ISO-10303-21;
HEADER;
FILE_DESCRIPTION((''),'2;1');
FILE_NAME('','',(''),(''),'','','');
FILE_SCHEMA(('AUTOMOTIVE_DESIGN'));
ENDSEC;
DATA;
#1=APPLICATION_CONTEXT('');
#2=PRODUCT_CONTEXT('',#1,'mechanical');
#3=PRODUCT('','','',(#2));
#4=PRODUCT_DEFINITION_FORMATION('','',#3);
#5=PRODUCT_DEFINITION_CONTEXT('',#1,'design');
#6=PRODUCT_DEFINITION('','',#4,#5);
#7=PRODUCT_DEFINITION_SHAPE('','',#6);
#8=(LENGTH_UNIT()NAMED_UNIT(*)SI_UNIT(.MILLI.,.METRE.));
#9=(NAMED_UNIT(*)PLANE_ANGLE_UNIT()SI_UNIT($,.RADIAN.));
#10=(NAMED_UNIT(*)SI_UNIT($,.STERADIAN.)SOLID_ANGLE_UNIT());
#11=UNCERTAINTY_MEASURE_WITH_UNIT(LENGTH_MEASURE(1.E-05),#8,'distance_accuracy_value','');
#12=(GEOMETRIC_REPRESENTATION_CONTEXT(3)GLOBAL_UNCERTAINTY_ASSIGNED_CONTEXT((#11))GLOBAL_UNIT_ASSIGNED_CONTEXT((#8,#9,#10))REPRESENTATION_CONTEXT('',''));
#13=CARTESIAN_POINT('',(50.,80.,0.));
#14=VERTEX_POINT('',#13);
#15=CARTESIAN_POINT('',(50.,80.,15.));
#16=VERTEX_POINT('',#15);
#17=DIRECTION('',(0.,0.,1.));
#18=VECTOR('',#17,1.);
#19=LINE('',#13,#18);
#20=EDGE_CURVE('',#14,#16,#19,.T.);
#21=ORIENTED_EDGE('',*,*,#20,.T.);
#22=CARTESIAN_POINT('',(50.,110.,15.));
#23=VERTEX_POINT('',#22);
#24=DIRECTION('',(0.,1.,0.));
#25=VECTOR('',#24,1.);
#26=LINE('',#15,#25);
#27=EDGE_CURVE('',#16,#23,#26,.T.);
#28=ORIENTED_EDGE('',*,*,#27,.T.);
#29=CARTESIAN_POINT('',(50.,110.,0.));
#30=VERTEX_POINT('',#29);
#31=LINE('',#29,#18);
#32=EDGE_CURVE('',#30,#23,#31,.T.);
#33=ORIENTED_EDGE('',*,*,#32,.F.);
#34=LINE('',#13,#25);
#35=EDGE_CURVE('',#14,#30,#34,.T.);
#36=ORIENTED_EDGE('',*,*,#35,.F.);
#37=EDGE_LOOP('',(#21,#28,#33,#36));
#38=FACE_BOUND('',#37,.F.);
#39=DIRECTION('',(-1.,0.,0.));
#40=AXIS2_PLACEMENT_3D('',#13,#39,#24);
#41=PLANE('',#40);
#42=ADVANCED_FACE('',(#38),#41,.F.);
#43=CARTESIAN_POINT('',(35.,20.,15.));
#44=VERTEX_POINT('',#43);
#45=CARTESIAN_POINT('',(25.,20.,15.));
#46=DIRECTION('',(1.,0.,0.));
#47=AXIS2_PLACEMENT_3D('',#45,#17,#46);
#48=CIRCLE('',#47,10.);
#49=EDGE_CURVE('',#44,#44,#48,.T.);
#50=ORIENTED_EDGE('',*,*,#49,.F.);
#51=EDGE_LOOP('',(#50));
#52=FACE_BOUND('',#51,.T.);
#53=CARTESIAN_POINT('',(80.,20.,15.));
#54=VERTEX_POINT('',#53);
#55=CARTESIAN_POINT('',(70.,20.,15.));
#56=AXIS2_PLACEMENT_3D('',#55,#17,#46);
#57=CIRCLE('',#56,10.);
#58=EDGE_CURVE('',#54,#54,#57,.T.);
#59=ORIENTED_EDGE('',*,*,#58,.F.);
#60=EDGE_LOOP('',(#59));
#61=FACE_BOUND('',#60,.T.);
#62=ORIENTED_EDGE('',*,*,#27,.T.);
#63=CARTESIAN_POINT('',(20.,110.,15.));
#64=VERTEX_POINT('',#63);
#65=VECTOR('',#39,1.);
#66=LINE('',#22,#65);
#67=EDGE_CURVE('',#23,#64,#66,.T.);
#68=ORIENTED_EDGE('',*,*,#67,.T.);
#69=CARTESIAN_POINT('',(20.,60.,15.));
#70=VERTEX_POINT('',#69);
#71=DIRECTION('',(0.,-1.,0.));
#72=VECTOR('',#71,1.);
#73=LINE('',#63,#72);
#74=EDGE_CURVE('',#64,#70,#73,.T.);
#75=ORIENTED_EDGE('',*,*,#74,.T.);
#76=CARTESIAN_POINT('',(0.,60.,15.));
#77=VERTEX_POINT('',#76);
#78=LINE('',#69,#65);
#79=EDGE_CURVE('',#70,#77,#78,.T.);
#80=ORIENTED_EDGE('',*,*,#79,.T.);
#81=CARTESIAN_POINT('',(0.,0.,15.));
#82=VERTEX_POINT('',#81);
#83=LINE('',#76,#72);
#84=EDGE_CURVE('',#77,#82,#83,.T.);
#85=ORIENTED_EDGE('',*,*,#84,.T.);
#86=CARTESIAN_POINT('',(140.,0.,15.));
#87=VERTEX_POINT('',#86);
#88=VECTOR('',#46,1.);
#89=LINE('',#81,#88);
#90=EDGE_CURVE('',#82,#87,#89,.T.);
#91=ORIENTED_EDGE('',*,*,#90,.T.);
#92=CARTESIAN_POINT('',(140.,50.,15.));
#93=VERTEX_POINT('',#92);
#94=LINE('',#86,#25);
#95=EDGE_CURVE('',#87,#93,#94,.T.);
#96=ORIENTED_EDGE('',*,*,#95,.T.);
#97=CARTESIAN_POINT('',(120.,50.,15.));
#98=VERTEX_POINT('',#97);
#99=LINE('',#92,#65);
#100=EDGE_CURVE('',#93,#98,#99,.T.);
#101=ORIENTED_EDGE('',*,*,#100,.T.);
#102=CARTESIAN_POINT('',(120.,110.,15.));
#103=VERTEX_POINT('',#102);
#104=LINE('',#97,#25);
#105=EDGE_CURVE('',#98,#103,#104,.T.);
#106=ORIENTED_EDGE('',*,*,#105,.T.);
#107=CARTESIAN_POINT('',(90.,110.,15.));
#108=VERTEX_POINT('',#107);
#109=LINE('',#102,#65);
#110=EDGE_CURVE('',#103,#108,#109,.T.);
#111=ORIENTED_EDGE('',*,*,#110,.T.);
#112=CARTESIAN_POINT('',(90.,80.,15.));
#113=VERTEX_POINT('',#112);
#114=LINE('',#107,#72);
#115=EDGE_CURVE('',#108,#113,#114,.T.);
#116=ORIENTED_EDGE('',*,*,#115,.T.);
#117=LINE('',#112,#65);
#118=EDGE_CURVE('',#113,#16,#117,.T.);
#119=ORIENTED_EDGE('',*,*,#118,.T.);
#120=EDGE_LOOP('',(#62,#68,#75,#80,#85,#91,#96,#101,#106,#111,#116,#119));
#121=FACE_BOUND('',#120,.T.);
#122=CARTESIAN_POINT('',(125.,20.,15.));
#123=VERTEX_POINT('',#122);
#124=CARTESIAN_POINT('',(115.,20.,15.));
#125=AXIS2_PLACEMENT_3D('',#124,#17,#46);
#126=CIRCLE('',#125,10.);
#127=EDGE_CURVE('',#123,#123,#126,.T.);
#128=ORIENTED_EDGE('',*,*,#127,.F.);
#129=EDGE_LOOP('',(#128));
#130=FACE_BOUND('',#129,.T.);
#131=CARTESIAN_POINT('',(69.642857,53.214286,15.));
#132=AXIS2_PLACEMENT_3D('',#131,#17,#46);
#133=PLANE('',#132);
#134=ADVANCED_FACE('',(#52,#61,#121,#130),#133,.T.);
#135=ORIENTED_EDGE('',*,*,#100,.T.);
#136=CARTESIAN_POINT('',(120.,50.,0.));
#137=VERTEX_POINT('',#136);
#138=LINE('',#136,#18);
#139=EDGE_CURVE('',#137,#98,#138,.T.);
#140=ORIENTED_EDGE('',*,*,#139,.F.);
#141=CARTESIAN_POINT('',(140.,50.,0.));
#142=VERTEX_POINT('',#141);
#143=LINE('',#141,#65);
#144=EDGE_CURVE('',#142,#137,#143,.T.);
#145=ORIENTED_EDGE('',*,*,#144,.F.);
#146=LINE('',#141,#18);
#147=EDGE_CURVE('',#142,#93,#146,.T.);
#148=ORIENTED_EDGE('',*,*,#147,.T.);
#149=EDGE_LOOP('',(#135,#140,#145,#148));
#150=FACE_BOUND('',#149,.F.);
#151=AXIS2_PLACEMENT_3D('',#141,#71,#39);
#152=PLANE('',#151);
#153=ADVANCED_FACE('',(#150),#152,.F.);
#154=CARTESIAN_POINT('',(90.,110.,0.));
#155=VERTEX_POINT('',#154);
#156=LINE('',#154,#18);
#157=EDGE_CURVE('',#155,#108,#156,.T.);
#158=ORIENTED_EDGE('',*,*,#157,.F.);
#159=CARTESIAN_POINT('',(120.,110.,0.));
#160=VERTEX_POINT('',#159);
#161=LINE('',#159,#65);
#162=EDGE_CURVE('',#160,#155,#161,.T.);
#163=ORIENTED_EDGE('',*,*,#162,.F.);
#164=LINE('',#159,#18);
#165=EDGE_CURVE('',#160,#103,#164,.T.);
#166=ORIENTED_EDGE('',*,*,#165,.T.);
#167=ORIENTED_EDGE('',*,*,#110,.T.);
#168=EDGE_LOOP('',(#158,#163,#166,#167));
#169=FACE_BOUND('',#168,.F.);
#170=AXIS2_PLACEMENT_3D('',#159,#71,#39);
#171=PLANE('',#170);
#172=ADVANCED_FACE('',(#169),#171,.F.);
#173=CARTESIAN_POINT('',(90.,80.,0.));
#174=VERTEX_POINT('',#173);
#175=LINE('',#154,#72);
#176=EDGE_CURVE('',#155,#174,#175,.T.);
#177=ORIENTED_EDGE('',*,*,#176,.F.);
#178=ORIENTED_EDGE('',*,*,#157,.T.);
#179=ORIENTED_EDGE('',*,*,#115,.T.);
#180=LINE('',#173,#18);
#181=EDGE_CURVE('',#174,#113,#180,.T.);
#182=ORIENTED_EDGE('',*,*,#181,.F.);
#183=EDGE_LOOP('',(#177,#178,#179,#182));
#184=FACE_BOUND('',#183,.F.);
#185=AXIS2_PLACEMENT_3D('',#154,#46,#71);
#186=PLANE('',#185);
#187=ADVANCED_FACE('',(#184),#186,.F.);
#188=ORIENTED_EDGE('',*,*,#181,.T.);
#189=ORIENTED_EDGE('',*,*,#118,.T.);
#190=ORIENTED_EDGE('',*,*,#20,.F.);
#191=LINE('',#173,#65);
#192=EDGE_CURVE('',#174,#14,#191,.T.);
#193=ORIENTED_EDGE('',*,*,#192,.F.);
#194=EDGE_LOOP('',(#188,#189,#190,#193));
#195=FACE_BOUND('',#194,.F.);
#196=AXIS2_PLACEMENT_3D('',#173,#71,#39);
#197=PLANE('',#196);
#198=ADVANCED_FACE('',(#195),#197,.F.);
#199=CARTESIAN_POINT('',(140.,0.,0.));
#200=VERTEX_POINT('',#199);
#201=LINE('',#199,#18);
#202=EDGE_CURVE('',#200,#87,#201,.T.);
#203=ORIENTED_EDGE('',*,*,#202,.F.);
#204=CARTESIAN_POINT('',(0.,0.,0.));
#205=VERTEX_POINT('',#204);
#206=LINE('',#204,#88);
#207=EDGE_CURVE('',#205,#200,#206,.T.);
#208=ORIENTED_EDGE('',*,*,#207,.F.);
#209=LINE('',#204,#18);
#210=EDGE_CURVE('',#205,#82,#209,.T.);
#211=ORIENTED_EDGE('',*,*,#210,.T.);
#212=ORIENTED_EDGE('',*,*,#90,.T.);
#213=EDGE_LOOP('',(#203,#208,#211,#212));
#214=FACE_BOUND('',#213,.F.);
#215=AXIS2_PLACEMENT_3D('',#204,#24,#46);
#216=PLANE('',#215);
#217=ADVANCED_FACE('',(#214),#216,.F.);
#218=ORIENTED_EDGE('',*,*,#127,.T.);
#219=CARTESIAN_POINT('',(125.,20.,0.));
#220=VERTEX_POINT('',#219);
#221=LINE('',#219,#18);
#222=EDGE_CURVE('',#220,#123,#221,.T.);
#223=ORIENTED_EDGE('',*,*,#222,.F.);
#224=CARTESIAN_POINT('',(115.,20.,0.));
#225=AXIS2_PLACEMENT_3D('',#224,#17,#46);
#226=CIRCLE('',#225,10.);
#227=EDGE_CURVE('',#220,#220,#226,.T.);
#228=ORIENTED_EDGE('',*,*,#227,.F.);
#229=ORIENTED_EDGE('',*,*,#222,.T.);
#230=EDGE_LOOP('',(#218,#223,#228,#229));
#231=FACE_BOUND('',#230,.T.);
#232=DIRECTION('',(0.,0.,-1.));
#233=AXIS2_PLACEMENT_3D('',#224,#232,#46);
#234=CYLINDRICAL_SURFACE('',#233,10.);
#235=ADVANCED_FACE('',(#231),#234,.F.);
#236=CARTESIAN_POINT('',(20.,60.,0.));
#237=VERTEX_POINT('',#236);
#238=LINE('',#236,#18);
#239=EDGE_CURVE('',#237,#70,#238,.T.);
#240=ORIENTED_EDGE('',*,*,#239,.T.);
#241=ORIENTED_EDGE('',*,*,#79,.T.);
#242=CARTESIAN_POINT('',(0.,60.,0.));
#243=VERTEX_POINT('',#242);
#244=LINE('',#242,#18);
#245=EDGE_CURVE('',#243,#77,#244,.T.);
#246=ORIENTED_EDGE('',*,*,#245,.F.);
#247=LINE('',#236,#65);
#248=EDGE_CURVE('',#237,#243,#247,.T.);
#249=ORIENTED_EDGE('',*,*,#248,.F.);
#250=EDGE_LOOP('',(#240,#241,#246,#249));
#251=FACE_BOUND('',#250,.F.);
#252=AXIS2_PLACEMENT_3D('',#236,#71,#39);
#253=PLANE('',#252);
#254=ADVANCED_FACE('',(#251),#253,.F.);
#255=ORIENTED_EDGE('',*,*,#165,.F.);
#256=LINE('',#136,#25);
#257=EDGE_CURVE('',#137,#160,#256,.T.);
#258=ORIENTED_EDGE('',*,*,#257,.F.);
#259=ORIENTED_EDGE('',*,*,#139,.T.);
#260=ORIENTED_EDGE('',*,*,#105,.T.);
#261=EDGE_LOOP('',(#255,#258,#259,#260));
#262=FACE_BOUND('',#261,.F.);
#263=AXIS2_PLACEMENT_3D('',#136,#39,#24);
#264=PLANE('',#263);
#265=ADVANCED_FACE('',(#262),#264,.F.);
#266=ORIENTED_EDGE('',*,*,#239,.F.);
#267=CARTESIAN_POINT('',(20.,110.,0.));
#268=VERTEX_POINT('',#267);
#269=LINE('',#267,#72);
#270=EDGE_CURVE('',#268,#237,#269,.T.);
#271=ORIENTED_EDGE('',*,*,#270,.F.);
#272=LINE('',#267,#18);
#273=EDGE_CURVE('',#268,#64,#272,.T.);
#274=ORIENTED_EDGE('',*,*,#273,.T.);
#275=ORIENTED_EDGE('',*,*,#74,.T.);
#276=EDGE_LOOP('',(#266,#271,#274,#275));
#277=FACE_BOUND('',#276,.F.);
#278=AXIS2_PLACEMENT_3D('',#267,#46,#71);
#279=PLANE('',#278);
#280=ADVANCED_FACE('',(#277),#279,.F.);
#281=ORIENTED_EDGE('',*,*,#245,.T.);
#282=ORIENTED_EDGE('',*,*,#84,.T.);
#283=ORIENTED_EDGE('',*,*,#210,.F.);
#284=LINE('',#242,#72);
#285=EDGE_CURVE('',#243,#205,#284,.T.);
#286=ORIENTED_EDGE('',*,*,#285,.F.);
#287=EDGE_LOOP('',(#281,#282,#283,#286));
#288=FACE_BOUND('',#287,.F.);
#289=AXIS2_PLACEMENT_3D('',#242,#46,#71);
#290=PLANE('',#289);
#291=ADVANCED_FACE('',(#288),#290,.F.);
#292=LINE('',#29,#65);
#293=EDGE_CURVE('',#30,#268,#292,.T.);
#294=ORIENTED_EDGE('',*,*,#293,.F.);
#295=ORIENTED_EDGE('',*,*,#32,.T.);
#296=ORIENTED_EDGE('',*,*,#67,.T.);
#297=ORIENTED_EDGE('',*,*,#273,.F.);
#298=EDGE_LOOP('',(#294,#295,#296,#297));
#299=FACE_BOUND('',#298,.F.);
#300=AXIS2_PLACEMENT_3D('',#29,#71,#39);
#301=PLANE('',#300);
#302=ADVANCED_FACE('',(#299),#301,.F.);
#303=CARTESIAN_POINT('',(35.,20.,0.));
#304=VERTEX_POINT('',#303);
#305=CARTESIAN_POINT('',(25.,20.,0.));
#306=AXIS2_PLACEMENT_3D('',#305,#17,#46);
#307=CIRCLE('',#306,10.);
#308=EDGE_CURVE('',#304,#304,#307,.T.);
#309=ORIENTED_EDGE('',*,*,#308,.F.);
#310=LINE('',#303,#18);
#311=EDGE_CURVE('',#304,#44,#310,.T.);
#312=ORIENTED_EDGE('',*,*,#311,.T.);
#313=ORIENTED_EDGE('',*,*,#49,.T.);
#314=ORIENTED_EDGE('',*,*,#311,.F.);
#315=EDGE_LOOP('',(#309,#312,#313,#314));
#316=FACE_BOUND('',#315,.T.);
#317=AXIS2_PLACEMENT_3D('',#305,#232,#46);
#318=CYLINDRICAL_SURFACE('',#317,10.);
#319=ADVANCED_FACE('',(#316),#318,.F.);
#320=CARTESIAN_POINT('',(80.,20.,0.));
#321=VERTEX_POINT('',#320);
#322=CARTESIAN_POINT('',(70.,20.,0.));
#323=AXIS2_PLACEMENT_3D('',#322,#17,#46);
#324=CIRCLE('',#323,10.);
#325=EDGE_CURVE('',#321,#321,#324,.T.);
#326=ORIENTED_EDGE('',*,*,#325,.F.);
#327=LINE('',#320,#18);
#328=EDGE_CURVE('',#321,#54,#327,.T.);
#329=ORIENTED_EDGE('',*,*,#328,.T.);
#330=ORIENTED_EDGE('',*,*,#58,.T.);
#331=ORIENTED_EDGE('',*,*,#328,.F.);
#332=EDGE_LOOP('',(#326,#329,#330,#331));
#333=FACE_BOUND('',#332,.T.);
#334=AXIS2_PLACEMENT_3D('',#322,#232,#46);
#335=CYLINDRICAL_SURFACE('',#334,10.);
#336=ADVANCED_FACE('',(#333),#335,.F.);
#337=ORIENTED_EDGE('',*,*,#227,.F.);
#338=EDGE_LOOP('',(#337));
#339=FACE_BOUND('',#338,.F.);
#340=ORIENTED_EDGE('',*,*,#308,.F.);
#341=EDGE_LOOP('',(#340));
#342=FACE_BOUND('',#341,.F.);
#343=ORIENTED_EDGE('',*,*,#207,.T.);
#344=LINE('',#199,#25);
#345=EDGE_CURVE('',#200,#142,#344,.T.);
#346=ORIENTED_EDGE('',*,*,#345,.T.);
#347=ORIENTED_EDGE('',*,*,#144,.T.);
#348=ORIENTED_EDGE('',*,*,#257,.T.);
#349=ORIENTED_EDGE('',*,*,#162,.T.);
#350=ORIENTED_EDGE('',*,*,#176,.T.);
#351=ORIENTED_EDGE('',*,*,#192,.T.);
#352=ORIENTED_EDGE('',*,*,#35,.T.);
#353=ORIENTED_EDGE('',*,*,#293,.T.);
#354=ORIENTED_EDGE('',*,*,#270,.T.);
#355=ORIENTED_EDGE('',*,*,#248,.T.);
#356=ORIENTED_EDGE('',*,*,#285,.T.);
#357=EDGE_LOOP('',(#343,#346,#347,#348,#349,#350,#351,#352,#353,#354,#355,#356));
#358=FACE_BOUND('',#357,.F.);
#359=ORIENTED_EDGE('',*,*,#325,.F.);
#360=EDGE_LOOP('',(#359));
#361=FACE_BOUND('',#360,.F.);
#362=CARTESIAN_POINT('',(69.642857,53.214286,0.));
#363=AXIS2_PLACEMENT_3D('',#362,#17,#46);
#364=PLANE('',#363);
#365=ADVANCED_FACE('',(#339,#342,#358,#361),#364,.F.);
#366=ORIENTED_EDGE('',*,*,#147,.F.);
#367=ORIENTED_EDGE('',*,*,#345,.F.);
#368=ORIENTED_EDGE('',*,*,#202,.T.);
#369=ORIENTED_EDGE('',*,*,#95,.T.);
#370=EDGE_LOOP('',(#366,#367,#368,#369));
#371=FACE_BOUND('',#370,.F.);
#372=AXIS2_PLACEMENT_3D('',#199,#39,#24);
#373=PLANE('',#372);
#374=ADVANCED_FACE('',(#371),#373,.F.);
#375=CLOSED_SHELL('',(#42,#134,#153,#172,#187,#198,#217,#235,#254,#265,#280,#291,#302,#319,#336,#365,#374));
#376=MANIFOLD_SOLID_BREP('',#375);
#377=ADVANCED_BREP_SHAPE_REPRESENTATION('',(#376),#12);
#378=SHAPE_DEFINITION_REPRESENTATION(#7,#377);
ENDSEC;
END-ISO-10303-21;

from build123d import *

# Parameters (mm, degrees)
F0_R     = 10
F1_DEPTH = 15


with BuildPart() as f1:
    # F0 (on Top) → F1 (new body)
    with BuildSketch(Plane.XY):
        Polygon((0, 60), (0, 0), (140, 0), (140, 50), (120, 50), (120, 110), (90, 110), (90, 80), (50, 80), (50, 110), (20, 110), (20, 60), align=None)
        with Locations((25, 20)):
            Circle(F0_R, mode=Mode.SUBTRACT)
        with Locations((70, 20)):
            Circle(F0_R, mode=Mode.SUBTRACT)
        with Locations((115, 20)):
            Circle(F0_R, mode=Mode.SUBTRACT)
    extrude(amount=F1_DEPTH)


solid = f1.part
